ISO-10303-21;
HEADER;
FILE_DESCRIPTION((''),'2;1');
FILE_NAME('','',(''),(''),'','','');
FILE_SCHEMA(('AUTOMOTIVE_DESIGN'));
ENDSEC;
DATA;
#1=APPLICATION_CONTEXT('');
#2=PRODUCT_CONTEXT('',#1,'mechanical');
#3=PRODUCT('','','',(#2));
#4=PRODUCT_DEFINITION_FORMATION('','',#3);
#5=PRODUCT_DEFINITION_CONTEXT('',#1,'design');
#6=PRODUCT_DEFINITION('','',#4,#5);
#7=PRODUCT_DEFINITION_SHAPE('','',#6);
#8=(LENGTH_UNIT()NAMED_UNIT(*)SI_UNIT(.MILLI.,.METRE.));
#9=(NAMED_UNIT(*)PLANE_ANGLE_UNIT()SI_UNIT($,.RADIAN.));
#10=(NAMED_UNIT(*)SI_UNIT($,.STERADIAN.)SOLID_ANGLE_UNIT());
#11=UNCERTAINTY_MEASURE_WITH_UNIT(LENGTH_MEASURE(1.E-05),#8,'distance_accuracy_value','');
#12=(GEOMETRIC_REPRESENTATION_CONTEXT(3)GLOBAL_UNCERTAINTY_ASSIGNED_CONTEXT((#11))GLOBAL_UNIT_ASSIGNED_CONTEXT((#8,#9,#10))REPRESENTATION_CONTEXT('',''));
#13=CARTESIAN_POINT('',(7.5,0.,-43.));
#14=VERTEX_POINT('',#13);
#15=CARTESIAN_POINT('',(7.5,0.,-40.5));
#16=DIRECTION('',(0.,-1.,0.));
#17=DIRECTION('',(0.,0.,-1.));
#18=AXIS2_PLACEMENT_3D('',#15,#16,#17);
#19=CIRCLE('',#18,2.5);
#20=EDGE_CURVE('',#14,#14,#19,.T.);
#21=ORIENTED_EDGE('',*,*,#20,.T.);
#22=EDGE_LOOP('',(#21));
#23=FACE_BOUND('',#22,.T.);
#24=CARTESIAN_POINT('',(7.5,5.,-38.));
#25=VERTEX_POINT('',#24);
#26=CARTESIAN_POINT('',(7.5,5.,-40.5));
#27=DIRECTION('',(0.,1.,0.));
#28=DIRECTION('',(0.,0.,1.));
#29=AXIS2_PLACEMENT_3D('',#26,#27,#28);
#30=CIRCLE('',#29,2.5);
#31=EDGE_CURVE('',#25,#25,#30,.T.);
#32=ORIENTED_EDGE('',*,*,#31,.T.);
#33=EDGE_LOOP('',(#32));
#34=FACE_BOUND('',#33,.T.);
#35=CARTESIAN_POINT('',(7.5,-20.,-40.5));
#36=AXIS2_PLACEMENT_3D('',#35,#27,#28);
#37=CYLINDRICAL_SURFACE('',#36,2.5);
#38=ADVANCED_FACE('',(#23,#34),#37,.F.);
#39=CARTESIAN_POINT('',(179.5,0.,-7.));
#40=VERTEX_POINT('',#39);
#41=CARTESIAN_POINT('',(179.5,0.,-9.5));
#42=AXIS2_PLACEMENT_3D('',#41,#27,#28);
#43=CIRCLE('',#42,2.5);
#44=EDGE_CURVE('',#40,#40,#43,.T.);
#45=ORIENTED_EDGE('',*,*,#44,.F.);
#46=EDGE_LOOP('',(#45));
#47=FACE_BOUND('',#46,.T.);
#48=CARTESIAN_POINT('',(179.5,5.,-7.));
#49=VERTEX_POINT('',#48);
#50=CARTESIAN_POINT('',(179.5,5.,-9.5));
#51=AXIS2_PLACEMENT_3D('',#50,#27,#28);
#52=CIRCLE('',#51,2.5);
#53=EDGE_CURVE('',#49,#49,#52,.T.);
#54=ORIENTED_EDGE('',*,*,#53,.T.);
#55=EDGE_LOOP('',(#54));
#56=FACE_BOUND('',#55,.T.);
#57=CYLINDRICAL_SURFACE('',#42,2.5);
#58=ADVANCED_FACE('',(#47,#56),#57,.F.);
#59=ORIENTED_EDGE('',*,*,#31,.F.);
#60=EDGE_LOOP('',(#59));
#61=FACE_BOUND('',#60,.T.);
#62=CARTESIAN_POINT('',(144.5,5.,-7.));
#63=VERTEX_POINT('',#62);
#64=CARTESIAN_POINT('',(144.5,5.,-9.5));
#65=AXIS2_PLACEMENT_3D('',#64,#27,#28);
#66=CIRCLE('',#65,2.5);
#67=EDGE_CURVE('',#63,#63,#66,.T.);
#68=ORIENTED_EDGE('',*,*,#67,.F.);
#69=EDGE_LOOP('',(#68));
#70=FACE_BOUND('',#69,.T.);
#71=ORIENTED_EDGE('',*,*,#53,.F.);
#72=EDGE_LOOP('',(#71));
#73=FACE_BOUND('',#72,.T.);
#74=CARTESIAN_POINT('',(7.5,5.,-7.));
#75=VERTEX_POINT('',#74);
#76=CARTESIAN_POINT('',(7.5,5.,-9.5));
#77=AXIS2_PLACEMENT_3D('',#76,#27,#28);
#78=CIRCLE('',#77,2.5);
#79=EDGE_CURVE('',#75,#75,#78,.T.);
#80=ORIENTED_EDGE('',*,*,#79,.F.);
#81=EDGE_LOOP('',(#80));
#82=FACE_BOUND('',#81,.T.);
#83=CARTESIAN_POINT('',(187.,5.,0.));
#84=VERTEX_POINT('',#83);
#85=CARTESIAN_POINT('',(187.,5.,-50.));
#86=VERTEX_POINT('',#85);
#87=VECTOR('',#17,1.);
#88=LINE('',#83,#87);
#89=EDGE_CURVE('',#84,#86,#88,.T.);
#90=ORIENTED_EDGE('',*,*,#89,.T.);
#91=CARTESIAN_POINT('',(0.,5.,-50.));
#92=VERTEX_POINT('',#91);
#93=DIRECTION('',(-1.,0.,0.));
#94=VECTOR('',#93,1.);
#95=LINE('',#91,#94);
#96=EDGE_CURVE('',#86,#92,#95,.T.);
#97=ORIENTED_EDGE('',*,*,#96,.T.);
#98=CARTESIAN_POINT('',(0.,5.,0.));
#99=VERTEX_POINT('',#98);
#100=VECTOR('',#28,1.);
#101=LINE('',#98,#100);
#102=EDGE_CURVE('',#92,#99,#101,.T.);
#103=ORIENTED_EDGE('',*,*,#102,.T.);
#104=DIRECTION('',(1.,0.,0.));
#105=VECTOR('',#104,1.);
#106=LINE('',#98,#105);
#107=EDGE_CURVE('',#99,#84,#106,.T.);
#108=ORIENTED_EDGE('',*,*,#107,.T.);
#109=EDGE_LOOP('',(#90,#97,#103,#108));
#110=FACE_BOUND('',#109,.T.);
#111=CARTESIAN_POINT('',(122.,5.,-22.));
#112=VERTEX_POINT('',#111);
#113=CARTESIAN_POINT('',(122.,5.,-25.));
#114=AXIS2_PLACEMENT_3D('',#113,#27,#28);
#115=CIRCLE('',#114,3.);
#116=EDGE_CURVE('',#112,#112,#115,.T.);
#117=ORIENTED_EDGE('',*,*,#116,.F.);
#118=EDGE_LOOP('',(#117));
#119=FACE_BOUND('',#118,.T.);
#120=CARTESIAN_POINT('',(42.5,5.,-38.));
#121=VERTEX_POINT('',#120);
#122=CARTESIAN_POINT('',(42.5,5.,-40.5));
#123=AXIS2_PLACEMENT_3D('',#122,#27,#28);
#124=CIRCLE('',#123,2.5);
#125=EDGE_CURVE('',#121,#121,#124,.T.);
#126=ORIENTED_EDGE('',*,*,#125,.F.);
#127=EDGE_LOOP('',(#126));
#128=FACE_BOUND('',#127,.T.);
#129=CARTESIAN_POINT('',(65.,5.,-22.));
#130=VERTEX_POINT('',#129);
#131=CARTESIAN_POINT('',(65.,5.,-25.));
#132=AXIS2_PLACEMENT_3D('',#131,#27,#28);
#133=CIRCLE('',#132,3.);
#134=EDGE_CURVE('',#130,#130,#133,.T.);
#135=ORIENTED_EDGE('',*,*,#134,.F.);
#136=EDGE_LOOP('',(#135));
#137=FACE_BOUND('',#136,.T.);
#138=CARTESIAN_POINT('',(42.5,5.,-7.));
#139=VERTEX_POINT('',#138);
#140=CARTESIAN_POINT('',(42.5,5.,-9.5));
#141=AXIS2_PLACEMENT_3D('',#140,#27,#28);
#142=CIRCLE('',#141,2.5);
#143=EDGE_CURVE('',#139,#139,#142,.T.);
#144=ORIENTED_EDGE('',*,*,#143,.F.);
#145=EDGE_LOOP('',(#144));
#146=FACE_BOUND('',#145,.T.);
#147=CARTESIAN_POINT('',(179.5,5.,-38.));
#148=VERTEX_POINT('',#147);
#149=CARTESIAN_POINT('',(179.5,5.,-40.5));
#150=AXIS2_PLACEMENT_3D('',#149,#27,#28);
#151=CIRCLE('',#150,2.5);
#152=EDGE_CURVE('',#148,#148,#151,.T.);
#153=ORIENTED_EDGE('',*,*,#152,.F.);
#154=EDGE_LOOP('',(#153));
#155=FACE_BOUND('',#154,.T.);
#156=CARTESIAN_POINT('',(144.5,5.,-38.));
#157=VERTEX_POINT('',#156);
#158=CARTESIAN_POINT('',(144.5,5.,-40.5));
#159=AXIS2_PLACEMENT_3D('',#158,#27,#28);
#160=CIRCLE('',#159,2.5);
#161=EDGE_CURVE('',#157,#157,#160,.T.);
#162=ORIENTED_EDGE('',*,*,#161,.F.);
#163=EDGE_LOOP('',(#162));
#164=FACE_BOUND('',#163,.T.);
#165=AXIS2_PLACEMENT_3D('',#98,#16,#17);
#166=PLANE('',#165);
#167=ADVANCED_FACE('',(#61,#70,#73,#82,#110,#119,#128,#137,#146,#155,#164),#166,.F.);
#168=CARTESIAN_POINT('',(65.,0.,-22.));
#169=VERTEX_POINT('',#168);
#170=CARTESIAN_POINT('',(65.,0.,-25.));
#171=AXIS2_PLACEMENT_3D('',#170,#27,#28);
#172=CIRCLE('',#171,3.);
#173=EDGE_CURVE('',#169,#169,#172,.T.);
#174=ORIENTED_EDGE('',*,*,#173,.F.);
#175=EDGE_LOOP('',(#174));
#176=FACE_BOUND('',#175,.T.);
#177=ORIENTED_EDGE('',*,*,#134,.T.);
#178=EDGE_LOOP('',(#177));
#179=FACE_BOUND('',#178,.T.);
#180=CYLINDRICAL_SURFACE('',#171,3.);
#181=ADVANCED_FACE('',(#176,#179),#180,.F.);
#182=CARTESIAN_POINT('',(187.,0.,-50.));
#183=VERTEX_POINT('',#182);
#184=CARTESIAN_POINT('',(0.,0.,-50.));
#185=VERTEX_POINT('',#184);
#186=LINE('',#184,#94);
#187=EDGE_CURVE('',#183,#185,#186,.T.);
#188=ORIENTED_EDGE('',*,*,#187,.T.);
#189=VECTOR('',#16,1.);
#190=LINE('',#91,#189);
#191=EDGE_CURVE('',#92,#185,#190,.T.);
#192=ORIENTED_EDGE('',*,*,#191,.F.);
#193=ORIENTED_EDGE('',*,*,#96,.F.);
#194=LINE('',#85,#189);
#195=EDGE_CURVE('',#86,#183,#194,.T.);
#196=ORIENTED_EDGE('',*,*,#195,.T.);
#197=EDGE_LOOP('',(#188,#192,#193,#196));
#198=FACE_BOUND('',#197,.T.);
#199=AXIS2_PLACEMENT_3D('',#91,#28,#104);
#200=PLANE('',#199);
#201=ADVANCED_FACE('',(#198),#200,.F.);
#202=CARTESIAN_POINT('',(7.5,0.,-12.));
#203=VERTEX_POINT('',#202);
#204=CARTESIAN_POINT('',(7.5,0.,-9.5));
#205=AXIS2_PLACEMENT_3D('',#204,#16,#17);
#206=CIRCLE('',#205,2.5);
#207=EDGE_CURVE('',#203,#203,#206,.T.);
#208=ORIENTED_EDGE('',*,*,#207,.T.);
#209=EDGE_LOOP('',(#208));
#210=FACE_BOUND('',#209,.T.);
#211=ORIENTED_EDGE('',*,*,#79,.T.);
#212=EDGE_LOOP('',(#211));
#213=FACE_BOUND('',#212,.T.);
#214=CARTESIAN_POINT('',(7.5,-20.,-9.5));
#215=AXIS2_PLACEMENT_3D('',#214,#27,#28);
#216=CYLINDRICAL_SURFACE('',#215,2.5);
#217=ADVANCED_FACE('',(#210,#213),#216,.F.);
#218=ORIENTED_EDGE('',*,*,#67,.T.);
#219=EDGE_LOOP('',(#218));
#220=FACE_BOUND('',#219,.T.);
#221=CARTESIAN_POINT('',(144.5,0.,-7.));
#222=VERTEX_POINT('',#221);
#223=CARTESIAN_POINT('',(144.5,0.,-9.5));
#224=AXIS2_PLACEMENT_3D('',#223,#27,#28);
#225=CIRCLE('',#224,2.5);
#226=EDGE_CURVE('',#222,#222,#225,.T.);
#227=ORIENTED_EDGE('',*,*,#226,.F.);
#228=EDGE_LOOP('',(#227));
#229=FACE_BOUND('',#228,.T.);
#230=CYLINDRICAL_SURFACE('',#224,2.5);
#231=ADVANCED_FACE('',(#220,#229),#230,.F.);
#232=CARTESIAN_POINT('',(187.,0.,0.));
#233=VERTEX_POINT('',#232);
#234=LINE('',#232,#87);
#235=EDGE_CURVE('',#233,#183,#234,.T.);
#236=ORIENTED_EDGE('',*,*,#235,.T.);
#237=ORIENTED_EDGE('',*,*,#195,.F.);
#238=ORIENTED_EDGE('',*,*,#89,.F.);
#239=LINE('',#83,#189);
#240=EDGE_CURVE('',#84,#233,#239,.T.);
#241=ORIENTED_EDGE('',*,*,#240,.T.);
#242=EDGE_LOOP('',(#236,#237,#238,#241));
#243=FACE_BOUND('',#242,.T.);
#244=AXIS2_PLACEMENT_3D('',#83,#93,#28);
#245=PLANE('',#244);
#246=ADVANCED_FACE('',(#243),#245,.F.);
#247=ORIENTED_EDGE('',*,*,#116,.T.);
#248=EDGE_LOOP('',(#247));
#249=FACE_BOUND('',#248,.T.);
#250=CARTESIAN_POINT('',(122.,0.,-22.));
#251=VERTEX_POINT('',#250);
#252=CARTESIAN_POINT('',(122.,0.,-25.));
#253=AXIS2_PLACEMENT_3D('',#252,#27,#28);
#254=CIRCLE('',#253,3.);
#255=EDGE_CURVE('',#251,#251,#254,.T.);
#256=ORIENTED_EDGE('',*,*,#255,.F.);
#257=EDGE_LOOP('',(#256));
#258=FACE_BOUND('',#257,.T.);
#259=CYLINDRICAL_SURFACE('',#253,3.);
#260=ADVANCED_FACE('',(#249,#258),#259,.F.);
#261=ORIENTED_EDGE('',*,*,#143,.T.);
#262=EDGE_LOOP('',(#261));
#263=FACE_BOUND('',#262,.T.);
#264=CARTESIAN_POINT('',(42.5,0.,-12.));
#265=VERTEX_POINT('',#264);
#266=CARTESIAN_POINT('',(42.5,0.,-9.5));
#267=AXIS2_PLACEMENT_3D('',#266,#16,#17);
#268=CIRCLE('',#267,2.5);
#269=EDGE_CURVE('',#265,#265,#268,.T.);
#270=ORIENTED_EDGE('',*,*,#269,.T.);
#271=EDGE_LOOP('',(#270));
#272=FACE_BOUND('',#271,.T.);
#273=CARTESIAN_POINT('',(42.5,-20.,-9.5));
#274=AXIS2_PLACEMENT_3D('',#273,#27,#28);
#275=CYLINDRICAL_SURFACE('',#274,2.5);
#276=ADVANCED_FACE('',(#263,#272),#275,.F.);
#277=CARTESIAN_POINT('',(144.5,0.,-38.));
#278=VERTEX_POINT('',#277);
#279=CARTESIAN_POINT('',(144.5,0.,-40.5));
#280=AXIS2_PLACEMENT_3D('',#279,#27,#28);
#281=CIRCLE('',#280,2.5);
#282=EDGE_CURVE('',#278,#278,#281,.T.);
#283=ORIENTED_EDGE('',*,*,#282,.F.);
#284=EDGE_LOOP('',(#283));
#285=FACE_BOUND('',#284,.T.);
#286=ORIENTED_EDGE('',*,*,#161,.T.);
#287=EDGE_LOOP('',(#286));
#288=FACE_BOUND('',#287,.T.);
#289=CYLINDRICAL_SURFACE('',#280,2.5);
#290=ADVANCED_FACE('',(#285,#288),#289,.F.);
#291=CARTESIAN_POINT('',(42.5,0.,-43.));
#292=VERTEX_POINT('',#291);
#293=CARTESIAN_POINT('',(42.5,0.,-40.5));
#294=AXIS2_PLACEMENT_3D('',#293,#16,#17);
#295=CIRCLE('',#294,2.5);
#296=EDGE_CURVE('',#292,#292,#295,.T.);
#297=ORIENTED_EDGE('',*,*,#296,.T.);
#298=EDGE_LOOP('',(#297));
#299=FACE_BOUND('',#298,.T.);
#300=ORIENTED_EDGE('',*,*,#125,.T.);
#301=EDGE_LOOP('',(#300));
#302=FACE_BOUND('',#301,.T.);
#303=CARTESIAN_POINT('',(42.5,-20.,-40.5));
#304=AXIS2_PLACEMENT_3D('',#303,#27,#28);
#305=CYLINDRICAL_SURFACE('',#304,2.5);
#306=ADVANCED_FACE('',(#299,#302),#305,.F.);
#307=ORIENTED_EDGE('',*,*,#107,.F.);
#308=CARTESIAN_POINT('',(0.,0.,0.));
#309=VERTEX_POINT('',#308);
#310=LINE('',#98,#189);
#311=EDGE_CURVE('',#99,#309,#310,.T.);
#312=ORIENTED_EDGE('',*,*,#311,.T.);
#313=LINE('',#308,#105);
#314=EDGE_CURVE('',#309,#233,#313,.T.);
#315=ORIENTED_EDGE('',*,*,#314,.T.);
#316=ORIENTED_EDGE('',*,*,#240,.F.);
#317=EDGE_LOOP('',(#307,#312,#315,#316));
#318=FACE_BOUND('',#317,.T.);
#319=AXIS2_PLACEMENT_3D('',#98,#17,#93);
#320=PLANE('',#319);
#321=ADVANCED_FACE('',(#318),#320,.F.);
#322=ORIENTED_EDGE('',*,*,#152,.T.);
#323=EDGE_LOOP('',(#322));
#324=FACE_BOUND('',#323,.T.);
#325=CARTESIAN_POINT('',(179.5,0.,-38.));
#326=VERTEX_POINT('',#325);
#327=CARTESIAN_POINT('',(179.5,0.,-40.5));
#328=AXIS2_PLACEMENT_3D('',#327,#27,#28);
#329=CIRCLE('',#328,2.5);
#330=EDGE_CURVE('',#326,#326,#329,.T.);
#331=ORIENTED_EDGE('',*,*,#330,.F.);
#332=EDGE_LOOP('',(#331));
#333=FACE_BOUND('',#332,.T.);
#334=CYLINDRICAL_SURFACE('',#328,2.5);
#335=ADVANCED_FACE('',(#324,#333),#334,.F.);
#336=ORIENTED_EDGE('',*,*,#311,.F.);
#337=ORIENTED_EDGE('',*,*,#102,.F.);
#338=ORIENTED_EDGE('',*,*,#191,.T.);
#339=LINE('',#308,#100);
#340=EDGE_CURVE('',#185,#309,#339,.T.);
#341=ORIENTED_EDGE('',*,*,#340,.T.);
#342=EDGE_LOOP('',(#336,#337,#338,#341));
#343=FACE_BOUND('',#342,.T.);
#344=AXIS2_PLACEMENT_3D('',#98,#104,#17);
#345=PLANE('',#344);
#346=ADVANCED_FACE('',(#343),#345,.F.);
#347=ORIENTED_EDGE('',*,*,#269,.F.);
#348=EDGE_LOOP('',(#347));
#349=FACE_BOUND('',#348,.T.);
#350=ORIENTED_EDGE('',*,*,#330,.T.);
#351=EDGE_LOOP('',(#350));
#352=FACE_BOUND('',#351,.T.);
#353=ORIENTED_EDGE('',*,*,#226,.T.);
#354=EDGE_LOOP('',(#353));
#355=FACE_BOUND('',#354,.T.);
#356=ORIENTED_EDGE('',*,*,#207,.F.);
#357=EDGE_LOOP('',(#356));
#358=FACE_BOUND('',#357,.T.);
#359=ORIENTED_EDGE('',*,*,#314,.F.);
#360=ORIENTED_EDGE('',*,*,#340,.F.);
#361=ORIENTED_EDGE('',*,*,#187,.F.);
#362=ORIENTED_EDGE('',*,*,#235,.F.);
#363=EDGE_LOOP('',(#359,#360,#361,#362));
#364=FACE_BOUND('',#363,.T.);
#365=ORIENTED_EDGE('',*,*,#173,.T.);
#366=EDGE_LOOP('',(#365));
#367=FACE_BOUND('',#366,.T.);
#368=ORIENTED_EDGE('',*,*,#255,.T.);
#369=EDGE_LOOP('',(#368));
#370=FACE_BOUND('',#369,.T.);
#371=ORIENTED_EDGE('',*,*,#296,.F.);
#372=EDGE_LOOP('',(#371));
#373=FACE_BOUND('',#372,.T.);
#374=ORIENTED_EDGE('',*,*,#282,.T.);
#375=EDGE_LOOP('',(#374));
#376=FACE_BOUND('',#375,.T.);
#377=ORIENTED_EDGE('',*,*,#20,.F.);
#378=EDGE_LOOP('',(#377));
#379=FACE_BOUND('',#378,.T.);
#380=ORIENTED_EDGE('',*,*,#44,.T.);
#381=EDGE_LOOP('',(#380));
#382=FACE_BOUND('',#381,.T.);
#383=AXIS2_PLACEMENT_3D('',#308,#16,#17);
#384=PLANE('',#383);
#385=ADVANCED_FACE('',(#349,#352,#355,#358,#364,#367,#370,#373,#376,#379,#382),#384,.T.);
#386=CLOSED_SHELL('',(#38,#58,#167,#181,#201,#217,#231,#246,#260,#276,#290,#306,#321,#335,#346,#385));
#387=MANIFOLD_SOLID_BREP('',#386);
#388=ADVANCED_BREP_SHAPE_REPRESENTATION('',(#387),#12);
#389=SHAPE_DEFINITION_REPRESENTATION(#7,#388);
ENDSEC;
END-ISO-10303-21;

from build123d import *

# Parameters (mm, degrees)
SKETCH1_W           = 187
SKETCH1_H           = 50
BOSS_EXTRUDE1_DEPTH = 5
SKETCH2_R           = 3
CUT_EXTRUDE1_DEPTH  = 5
SKETCH3_R           = 2.5
CUT_EXTRUDE2_DEPTH  = 5
SKETCH4_R           = 2.5
CUT_EXTRUDE3_DEPTH  = 25
SKETCH5_R           = 2.5
CUT_EXTRUDE4_DEPTH  = 25


with BuildPart() as part:
    # Sketch1 → Boss-Extrude1 (new body)
    with BuildSketch(Plane(origin=(0, 0, 0), x_dir=(1, 0, 0), z_dir=(0, 1, 0))):
        with Locations((93.5, 25)):
            Rectangle(SKETCH1_W, SKETCH1_H)
    extrude(amount=BOSS_EXTRUDE1_DEPTH)

    # Sketch2 → Cut-Extrude1 (cut)
    with BuildSketch(Plane(origin=(0, 5, 0), x_dir=(1, 0, 0), z_dir=(0, 1, 0))):
        with Locations(Location((65, 25, 0), (0, 0, 270))):
            Circle(SKETCH2_R)
        with Locations(Location((122, 25, 0), (0, 0, 270))):
            Circle(SKETCH2_R)
    extrude(amount=-CUT_EXTRUDE1_DEPTH, mode=Mode.SUBTRACT)

    # Sketch3 → Cut-Extrude2 (cut)
    with BuildSketch(Plane(origin=(0, 5, 0), x_dir=(1, 0, 0), z_dir=(0, 1, 0))):
        with Locations(Location((144.5, 40.5, 0), (0, 0, 270))):
            Circle(SKETCH3_R)
        with Locations(Location((144.5, 9.5, 0), (0, 0, 270))):
            Circle(SKETCH3_R)
        with Locations(Location((179.5, 9.5, 0), (0, 0, 270))):
            Circle(SKETCH3_R)
        with Locations(Location((179.5, 40.5, 0), (0, 0, 270))):
            Circle(SKETCH3_R)
    extrude(amount=-CUT_EXTRUDE2_DEPTH, mode=Mode.SUBTRACT)

    # Sketch4 → Cut-Extrude3 (cut)
    with BuildSketch(Plane(origin=(0, 5, 0), x_dir=(1, 0, 0), z_dir=(0, 1, 0))):
        with Locations(Location((7.5, 40.5, 0), (0, 0, 270))):
            Circle(SKETCH4_R)
    extrude(amount=-CUT_EXTRUDE3_DEPTH, mode=Mode.SUBTRACT)

    # Sketch5 → Cut-Extrude4 (cut)
    with BuildSketch(Plane(origin=(0, 5, 0), x_dir=(1, 0, 0), z_dir=(0, 1, 0))):
        with Locations(Location((42.5, 9.5, 0), (0, 0, 270))):
            Circle(SKETCH5_R)
        with Locations(Location((7.5, 9.5, 0), (0, 0, 270))):
            Circle(SKETCH5_R)
        with Locations(Location((42.5, 40.5, 0), (0, 0, 270))):
            Circle(SKETCH5_R)
    extrude(amount=-CUT_EXTRUDE4_DEPTH, mode=Mode.SUBTRACT)


solid = part.part
